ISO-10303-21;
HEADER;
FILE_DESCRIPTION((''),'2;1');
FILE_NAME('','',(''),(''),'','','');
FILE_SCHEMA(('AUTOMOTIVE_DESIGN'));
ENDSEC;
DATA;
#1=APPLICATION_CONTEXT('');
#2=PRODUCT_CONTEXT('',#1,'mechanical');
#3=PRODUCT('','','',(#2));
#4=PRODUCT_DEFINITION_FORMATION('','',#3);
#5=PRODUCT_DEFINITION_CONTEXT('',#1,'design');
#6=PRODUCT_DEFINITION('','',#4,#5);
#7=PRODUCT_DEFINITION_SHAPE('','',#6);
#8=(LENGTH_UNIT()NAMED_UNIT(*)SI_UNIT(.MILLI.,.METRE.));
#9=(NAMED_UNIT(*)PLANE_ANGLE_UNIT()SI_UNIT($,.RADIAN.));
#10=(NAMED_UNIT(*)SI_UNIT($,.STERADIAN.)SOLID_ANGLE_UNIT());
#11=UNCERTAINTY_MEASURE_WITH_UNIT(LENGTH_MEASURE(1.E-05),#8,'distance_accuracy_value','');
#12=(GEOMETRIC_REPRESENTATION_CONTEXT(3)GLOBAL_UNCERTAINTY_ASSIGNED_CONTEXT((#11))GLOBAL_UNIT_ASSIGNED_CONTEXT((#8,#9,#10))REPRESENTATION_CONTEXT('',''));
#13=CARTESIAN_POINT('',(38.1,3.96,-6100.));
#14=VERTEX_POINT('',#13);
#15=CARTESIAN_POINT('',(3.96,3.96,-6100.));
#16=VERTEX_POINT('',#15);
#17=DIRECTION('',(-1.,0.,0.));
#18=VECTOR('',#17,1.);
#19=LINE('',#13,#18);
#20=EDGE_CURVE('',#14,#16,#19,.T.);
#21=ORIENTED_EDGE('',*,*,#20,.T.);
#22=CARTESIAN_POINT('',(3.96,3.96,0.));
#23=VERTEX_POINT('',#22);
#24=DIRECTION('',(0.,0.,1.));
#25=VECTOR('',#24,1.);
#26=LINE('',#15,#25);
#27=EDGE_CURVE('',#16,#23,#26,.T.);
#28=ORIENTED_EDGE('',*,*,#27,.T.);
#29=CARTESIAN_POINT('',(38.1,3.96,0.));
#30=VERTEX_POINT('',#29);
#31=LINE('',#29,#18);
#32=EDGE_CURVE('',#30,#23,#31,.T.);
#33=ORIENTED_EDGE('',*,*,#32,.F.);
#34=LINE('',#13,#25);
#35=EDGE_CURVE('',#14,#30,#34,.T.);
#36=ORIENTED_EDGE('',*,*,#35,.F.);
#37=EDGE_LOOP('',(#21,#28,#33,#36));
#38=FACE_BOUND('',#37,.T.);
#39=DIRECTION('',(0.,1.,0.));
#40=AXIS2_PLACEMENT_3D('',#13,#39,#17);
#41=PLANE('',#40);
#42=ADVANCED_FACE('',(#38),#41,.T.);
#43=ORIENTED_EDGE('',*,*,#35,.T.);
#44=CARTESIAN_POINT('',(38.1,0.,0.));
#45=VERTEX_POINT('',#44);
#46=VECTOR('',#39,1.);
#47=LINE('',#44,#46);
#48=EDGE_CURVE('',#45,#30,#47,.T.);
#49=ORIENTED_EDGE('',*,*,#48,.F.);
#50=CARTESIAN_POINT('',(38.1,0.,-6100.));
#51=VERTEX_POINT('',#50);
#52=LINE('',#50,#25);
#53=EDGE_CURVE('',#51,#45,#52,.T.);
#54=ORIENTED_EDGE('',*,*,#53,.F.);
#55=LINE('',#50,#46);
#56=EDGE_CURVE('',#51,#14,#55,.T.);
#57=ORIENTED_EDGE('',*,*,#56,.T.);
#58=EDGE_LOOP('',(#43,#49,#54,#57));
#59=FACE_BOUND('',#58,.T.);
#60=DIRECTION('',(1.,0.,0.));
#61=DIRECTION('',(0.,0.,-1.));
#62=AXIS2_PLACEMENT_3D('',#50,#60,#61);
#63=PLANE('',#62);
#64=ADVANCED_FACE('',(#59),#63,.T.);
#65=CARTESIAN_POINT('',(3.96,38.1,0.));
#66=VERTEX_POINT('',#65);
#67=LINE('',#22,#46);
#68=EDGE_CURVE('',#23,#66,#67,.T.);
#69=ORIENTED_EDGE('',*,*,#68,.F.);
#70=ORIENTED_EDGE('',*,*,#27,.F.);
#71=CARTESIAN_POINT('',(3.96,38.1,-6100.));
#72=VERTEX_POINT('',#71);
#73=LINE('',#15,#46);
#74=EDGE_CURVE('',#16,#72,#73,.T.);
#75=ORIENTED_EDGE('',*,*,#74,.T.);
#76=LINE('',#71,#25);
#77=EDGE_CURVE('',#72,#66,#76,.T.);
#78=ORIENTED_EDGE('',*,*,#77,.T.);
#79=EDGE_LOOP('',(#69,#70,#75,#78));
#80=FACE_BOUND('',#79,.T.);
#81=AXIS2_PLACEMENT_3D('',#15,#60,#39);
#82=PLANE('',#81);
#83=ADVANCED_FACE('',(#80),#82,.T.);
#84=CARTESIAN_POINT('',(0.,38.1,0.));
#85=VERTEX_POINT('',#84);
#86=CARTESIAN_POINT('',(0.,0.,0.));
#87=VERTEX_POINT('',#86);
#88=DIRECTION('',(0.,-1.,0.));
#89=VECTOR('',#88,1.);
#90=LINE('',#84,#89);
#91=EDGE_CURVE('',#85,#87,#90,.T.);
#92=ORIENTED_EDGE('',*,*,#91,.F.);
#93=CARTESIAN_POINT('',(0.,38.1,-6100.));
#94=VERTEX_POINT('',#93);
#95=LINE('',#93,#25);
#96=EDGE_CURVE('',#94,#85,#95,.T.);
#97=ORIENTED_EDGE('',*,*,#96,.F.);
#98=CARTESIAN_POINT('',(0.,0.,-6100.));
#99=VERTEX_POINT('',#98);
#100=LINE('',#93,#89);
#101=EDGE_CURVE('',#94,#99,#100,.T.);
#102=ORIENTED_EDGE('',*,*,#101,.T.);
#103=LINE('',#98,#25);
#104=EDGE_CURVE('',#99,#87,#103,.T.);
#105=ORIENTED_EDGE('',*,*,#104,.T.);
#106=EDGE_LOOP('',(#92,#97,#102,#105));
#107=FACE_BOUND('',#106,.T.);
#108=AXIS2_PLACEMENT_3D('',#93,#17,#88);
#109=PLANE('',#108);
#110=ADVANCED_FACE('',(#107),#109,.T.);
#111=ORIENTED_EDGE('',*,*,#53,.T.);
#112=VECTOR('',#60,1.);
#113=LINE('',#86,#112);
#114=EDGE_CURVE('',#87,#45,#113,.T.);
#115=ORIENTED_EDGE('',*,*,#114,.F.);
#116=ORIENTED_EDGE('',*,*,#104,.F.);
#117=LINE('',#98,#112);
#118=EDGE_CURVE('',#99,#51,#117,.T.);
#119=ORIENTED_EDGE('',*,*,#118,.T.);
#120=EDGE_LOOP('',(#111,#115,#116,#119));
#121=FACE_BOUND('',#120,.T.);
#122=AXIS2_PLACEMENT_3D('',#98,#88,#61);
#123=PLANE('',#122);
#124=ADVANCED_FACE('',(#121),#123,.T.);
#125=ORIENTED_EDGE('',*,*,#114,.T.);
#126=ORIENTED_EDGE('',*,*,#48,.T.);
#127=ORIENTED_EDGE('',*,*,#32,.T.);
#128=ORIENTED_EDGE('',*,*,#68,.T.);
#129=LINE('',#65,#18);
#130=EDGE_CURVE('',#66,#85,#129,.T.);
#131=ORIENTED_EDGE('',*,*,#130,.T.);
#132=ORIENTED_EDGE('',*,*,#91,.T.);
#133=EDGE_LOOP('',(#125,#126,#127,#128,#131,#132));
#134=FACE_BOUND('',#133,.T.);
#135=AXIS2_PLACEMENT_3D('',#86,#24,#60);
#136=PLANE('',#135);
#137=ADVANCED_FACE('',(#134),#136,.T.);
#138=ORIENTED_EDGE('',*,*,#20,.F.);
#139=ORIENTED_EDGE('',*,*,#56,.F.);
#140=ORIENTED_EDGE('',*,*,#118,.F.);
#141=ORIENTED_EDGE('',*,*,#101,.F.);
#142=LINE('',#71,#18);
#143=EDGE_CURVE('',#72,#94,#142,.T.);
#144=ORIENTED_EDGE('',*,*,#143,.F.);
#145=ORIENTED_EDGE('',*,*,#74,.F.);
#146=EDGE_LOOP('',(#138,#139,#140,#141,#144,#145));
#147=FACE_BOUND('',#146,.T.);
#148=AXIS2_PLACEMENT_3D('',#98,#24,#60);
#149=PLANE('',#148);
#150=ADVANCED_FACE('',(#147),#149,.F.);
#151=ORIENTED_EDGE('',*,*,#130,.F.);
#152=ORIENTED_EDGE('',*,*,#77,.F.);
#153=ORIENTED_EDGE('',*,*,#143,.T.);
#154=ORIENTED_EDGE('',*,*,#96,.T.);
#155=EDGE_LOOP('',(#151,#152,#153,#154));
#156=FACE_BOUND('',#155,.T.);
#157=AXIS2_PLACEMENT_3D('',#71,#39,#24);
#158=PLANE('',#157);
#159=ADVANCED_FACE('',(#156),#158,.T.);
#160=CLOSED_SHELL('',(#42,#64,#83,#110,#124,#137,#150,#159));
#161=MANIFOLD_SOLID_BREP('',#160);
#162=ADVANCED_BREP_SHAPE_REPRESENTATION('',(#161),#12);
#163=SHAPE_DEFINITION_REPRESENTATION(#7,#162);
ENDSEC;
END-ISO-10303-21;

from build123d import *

# Parameters (mm, degrees)
SALIENTE_EXTRUIR1_DEPTH = 6100


with BuildPart() as part:
    # Croquis1 → Saliente-Extruir1 (new body)
    with BuildSketch(Plane.XY):
        Polygon((0, 38.1), (0, 0), (38.1, 0), (38.1, 3.96), (3.96, 3.96), (3.96, 38.1), align=None)
    extrude(amount=-SALIENTE_EXTRUIR1_DEPTH)


solid = part.part
